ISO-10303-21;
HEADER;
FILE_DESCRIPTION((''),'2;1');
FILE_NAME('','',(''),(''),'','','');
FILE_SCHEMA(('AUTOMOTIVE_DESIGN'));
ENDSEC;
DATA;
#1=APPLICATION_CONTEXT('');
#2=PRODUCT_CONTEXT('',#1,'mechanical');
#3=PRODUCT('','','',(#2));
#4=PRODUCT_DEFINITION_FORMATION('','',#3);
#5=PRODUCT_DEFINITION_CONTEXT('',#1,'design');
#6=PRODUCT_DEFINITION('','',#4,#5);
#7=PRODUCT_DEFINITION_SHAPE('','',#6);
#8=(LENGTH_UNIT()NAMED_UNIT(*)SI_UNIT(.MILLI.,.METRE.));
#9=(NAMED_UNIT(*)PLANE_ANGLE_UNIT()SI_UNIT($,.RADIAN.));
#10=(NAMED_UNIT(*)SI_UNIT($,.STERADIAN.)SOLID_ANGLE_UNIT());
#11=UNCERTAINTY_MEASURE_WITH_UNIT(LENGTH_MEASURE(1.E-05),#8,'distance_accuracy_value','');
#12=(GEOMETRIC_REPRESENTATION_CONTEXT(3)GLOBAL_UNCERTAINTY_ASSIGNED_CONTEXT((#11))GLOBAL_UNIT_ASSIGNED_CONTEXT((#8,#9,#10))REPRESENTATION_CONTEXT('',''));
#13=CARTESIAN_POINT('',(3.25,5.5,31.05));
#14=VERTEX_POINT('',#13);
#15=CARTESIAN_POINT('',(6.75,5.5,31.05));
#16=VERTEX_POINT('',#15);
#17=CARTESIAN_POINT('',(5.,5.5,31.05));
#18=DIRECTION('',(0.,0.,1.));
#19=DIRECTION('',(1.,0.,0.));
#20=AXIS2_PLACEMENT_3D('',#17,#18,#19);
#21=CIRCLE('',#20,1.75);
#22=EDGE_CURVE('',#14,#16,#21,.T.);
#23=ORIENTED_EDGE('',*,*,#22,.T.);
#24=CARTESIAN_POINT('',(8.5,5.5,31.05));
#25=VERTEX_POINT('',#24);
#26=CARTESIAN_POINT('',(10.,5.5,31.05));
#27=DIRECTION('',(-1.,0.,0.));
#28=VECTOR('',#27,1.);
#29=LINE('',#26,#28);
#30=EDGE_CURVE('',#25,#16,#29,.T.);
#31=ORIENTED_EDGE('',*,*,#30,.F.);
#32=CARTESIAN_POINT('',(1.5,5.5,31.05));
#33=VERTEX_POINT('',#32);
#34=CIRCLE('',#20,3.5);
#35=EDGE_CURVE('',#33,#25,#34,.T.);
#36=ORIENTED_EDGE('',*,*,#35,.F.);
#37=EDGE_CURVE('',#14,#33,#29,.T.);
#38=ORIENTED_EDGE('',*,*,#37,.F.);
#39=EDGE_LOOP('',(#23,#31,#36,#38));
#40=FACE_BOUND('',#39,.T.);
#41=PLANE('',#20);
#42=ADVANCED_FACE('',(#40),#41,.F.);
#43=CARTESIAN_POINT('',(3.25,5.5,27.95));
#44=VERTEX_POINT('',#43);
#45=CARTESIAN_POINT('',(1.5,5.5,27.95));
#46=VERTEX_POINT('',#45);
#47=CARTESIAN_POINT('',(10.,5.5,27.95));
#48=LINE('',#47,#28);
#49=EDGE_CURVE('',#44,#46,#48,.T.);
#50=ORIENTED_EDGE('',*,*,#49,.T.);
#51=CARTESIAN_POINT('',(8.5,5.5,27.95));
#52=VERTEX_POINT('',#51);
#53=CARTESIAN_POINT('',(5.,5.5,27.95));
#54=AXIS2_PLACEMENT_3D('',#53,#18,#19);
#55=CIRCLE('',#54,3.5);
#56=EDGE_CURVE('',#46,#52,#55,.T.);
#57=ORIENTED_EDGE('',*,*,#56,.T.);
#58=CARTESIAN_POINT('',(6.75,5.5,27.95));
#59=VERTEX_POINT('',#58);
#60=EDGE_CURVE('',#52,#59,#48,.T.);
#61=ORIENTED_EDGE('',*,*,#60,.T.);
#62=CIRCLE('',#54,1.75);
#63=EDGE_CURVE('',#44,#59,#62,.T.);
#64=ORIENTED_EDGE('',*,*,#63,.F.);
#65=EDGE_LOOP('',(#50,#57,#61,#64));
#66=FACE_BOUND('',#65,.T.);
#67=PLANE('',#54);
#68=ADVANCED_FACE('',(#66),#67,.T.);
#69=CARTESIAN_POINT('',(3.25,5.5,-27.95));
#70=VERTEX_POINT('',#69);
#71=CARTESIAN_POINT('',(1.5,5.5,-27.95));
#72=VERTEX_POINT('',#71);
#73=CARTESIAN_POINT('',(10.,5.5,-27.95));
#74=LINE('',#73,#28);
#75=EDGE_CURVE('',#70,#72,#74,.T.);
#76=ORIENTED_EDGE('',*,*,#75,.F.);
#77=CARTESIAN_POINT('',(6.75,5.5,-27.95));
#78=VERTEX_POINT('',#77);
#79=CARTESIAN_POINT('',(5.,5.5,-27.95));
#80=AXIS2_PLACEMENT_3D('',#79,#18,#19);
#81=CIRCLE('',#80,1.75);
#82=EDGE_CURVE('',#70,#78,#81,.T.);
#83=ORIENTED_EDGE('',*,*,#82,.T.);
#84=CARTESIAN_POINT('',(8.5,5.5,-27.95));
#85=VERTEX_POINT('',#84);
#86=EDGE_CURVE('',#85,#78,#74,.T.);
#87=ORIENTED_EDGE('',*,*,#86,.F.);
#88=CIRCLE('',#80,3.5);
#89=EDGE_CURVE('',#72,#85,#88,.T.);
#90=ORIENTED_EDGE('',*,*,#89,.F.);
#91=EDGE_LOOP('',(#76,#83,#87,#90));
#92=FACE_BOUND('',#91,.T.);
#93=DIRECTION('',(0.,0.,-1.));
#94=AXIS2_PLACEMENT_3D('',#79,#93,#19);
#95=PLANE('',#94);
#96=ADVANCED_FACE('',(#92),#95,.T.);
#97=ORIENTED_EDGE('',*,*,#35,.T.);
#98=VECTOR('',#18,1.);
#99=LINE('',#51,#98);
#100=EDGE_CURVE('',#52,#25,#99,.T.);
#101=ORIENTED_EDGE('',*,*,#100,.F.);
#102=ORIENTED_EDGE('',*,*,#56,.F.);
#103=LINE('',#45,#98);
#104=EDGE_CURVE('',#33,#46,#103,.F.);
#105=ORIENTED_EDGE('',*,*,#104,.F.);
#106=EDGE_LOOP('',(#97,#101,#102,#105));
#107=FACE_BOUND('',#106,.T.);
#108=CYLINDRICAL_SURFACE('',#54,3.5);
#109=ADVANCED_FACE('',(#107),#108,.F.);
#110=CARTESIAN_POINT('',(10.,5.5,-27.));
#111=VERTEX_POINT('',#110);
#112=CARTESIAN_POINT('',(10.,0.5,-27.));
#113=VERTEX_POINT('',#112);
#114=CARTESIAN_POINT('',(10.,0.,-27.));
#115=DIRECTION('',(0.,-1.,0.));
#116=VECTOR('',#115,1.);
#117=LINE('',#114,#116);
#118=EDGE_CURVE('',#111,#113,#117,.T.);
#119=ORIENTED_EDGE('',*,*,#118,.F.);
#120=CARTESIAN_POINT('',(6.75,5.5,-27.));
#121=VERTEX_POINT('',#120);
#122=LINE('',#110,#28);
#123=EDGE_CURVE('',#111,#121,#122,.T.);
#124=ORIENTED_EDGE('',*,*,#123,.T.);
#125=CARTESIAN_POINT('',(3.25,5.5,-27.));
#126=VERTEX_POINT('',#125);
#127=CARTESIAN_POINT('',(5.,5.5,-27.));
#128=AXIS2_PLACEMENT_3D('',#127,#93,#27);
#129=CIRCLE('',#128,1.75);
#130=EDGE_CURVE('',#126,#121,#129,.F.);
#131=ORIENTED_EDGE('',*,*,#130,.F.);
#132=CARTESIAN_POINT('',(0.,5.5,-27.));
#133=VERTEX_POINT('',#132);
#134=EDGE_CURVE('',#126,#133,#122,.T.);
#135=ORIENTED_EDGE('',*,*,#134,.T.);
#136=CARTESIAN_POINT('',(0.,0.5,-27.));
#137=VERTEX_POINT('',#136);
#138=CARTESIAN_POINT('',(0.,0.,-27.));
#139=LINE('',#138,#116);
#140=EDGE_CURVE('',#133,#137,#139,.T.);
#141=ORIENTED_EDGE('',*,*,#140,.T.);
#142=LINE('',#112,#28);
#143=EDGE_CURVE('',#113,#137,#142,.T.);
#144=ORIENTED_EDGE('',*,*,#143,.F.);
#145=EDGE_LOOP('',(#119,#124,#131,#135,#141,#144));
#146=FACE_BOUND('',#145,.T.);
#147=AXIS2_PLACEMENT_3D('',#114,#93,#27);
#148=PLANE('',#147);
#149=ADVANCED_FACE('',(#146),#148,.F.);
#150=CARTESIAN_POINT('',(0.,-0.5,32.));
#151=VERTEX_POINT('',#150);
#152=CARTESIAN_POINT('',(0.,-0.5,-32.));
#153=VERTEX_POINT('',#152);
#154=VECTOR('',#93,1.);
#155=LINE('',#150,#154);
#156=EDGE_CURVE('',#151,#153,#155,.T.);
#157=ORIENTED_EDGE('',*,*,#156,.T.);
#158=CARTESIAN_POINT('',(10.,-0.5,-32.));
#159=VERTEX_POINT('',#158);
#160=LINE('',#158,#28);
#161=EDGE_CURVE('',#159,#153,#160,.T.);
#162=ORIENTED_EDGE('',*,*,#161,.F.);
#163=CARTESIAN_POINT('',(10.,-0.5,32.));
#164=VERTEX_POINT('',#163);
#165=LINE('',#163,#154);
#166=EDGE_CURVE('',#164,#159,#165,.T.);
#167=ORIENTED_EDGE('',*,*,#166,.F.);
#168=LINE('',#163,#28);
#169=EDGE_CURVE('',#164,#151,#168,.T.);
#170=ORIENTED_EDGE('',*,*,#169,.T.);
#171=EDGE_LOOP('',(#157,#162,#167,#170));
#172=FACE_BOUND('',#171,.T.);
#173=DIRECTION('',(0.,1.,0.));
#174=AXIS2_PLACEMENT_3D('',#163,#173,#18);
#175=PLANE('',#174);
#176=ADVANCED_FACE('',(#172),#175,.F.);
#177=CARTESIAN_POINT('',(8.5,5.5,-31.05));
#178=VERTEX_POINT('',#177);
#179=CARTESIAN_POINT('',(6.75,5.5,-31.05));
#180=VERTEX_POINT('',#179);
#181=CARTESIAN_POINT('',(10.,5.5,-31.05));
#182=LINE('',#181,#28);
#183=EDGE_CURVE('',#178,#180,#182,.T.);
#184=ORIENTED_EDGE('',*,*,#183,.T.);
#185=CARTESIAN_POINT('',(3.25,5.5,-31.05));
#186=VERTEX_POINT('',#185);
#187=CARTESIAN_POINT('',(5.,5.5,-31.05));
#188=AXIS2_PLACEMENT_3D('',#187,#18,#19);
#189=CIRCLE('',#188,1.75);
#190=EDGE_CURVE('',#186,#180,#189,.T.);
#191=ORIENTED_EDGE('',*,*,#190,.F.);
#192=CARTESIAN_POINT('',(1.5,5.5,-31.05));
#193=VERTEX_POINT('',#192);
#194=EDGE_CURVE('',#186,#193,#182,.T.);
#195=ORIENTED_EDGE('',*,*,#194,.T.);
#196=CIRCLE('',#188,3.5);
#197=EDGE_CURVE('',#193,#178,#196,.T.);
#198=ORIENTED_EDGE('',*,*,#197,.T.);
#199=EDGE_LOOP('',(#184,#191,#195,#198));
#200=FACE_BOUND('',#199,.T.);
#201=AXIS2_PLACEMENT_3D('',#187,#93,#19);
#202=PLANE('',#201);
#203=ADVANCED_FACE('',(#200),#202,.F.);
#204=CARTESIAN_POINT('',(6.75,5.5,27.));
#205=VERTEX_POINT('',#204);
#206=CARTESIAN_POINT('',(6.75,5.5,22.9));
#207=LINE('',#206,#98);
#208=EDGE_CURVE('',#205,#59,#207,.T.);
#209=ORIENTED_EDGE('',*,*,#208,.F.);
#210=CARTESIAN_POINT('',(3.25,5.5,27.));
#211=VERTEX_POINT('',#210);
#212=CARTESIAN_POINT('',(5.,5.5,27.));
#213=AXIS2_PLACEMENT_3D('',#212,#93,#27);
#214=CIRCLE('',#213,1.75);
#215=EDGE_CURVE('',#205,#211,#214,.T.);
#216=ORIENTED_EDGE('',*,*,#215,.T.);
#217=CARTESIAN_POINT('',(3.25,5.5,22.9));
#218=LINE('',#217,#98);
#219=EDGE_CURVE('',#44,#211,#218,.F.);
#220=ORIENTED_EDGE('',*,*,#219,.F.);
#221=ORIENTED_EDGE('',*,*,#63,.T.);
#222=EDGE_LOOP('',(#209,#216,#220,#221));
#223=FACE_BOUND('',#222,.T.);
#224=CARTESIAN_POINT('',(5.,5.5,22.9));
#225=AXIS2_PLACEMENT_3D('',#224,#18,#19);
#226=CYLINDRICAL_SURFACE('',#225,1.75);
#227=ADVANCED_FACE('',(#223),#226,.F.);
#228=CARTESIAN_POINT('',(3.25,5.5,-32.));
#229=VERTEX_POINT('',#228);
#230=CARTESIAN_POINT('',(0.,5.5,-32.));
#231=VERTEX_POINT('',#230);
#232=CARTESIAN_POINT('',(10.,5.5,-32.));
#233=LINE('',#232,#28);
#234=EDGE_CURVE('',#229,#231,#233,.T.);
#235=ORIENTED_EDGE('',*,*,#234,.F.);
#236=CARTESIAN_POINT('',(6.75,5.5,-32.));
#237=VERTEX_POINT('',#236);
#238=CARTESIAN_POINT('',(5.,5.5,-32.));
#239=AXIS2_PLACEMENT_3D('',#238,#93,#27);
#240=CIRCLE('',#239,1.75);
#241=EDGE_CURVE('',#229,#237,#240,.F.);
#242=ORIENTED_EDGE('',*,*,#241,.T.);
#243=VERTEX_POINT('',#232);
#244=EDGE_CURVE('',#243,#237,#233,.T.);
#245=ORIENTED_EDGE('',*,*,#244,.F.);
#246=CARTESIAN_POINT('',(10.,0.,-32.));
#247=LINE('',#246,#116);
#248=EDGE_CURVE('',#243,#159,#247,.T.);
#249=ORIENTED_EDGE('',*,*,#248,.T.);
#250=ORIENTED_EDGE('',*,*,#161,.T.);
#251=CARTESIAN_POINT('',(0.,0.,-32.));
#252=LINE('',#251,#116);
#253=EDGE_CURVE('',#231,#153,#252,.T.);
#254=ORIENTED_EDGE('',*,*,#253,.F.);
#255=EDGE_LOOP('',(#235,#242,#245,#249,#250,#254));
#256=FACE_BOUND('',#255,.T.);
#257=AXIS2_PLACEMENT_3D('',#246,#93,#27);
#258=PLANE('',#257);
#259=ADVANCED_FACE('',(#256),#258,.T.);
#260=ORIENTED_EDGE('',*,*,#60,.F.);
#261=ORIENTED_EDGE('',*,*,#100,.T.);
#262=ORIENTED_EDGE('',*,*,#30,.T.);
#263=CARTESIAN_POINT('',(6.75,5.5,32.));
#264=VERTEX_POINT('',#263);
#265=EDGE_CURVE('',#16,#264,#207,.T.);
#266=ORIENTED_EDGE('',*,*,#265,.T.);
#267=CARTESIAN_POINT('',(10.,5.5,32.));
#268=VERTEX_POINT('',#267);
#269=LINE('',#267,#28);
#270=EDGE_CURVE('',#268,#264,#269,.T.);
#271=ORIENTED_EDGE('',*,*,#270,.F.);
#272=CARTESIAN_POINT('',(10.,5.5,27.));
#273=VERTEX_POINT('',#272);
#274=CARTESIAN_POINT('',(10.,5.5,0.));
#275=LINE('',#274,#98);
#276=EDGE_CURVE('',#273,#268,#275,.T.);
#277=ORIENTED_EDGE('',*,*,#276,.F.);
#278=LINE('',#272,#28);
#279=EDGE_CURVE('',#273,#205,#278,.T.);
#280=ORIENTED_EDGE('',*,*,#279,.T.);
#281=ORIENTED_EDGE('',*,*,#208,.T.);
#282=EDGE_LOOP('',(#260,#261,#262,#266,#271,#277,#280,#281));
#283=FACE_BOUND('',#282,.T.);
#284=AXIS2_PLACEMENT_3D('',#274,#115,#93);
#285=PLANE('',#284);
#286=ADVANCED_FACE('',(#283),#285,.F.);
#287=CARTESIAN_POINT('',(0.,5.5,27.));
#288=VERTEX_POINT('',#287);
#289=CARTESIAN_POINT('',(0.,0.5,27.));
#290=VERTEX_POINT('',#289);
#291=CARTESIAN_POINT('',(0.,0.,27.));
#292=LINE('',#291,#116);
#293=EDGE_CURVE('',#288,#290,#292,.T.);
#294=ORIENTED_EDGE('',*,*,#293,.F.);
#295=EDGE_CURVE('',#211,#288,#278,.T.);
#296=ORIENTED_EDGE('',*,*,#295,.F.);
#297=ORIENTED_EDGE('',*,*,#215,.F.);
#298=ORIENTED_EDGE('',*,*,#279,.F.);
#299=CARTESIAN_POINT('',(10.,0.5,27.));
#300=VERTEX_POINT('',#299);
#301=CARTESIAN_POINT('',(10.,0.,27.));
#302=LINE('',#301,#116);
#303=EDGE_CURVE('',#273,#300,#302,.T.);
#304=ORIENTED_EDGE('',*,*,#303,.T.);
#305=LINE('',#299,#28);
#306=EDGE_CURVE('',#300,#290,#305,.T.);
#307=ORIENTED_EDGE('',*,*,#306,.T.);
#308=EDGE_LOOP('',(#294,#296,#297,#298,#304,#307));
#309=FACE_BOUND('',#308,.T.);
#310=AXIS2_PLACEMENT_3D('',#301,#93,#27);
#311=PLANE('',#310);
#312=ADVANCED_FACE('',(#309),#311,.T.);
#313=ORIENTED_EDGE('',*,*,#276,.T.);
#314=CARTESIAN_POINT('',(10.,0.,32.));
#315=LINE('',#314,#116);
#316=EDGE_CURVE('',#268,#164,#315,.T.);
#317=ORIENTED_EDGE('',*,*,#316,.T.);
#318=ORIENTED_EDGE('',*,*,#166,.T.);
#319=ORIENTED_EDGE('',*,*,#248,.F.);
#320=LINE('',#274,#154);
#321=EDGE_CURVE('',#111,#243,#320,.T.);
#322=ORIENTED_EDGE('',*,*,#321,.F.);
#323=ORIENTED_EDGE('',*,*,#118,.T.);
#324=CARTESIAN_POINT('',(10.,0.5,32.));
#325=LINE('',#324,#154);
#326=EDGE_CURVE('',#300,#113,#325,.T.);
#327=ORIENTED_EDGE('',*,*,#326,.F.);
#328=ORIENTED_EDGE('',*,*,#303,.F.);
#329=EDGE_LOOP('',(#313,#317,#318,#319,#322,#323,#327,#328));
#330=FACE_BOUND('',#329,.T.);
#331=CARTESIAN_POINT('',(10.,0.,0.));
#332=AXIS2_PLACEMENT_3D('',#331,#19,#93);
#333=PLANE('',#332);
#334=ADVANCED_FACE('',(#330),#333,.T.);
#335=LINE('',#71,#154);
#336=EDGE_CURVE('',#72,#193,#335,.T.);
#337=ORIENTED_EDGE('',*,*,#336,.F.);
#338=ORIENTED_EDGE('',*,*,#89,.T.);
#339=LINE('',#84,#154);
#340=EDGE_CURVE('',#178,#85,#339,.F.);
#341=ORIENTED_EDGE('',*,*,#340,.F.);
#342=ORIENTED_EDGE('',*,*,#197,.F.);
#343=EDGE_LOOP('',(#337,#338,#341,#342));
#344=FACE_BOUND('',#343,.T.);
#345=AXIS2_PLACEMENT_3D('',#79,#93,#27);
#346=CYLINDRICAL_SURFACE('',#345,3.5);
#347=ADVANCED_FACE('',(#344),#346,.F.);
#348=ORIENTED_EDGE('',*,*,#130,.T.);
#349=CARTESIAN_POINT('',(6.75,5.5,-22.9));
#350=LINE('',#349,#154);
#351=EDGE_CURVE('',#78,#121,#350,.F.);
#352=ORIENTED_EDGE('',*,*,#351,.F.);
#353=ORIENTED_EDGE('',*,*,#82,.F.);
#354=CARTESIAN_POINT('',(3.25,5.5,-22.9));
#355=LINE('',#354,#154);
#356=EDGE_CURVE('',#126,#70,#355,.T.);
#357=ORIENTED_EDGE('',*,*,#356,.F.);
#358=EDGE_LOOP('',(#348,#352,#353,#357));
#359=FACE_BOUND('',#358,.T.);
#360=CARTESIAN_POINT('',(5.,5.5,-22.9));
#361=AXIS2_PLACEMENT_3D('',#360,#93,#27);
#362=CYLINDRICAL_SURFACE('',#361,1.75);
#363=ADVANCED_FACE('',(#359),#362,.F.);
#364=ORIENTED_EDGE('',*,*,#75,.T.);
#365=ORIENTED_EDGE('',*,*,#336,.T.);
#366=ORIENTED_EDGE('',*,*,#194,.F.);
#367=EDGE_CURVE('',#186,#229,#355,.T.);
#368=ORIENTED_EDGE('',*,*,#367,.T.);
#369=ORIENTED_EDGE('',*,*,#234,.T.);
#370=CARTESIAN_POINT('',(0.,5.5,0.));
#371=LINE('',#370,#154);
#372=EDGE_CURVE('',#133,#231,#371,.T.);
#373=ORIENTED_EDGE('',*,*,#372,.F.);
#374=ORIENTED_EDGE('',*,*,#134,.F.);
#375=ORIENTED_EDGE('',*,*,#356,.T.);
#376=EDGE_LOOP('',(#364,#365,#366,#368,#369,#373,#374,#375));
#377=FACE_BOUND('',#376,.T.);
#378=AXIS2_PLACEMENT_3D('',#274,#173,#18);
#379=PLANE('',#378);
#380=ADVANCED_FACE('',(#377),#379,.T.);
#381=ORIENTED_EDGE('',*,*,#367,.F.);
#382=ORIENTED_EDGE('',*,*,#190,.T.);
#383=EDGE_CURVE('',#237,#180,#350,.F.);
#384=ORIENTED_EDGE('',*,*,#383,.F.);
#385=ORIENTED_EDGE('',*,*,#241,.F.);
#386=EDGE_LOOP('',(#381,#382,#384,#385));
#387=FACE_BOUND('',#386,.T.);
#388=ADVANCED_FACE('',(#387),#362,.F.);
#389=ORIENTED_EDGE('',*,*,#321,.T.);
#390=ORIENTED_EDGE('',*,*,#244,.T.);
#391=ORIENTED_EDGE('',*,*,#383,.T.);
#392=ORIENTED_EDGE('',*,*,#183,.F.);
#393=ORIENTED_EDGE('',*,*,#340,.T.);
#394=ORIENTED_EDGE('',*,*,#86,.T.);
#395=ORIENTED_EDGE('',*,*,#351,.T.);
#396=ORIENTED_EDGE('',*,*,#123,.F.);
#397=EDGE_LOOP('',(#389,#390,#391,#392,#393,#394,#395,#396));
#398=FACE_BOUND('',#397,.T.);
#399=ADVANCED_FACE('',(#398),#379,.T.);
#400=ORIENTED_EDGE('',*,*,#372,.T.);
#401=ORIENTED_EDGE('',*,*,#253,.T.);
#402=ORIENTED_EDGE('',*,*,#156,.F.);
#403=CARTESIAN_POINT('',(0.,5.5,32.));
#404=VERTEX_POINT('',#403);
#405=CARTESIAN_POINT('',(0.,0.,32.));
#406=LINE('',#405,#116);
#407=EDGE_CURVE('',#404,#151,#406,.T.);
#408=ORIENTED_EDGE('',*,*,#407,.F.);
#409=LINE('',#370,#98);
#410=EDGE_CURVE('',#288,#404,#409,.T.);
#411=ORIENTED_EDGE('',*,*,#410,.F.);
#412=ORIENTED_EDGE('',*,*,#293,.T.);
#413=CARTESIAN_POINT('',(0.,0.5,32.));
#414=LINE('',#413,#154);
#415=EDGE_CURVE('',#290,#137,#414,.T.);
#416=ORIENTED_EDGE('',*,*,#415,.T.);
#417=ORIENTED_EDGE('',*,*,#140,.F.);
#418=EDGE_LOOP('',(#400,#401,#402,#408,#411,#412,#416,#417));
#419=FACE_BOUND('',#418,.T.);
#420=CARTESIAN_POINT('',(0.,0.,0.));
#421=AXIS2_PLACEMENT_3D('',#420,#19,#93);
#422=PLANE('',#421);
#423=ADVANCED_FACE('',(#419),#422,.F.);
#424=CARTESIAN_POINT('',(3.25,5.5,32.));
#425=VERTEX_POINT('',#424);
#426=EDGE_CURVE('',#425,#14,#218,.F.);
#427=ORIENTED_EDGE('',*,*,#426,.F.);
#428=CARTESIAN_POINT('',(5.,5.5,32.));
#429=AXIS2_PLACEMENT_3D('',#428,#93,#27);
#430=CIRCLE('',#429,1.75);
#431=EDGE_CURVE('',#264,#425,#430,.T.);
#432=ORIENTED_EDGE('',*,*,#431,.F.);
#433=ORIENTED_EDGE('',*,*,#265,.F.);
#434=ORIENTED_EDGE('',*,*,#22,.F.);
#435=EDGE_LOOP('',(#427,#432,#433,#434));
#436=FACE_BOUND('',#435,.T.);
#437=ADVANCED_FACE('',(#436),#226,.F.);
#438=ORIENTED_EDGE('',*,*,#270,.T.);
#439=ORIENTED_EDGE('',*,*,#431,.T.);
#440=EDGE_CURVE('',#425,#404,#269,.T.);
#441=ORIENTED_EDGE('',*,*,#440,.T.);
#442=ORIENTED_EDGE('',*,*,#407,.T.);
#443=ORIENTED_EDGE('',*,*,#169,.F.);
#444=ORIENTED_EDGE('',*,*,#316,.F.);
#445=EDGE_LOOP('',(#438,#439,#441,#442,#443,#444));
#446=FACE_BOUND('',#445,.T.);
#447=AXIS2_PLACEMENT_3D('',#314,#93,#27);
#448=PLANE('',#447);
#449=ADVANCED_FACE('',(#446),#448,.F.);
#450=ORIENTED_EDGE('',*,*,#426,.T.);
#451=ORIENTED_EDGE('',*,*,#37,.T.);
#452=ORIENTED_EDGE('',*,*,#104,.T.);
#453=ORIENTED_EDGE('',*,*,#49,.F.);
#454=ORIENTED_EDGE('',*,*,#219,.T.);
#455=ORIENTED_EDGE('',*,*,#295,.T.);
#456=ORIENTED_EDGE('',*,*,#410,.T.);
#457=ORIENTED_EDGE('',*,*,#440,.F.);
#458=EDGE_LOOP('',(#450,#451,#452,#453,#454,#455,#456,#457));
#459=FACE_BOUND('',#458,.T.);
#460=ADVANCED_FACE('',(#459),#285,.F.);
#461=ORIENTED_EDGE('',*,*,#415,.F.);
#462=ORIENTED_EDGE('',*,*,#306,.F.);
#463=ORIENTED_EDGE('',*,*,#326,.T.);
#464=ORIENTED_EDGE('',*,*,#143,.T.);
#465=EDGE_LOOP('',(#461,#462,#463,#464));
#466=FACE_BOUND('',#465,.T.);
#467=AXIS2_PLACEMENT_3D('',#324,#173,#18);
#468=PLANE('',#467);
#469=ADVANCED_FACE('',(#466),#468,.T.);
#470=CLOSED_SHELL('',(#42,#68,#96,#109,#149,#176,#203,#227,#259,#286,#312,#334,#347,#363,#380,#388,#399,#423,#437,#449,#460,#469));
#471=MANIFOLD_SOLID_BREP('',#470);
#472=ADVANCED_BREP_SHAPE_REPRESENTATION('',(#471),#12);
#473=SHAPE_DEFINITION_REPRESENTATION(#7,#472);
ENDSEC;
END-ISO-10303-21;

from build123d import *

# Parameters (mm, degrees)
BOSS_EXTRUDE1_DEPTH = 10
SKETCH2_R           = 3.5
SKETCH2_R_2         = 1.75
CUT_EXTRUDE1_DEPTH  = 1.55
SKETCH2_2_R         = 1.75
CUT_EXTRUDE2_DEPTH  = 6.6


with BuildPart() as part:
    # Sketch1 → Boss-Extrude1 (new body)
    with BuildSketch(Plane(origin=(0, 0, 0), x_dir=(0, 0, -1), z_dir=(1, 0, 0))):
        Polygon((-32, 5.5), (-32, -0.5), (32, -0.5), (32, 5.5), (27, 5.5), (27, 0.5), (-27, 0.5), (-27, 5.5), align=None)
    extrude(amount=BOSS_EXTRUDE1_DEPTH)

    # Sketch2 → Cut-Extrude1 (cut, symmetric)
    with BuildSketch(Plane.XY.offset(29.5)):
        with Locations((5, 5.5)):
            Circle(SKETCH2_R)
        with Locations((5, 5.5)):
            Circle(SKETCH2_R_2, mode=Mode.SUBTRACT)
    cut_extrude1 = extrude(amount=CUT_EXTRUDE1_DEPTH, both=True, mode=Mode.SUBTRACT)

    # Sketch2<2> → Cut-Extrude2 (cut, symmetric)
    with BuildSketch(Plane.XY.offset(29.5)):
        with Locations((5, 5.5)):
            Circle(SKETCH2_2_R)
    cut_extrude2 = extrude(amount=CUT_EXTRUDE2_DEPTH, both=True, mode=Mode.SUBTRACT)

    # Mirror1: Cut-Extrude1 across plane
    add(cut_extrude1.mirror(Plane.XY), mode=Mode.SUBTRACT)

    # Mirror2: Cut-Extrude2 across plane
    add(cut_extrude2.mirror(Plane.XY), mode=Mode.SUBTRACT)


solid = part.part
